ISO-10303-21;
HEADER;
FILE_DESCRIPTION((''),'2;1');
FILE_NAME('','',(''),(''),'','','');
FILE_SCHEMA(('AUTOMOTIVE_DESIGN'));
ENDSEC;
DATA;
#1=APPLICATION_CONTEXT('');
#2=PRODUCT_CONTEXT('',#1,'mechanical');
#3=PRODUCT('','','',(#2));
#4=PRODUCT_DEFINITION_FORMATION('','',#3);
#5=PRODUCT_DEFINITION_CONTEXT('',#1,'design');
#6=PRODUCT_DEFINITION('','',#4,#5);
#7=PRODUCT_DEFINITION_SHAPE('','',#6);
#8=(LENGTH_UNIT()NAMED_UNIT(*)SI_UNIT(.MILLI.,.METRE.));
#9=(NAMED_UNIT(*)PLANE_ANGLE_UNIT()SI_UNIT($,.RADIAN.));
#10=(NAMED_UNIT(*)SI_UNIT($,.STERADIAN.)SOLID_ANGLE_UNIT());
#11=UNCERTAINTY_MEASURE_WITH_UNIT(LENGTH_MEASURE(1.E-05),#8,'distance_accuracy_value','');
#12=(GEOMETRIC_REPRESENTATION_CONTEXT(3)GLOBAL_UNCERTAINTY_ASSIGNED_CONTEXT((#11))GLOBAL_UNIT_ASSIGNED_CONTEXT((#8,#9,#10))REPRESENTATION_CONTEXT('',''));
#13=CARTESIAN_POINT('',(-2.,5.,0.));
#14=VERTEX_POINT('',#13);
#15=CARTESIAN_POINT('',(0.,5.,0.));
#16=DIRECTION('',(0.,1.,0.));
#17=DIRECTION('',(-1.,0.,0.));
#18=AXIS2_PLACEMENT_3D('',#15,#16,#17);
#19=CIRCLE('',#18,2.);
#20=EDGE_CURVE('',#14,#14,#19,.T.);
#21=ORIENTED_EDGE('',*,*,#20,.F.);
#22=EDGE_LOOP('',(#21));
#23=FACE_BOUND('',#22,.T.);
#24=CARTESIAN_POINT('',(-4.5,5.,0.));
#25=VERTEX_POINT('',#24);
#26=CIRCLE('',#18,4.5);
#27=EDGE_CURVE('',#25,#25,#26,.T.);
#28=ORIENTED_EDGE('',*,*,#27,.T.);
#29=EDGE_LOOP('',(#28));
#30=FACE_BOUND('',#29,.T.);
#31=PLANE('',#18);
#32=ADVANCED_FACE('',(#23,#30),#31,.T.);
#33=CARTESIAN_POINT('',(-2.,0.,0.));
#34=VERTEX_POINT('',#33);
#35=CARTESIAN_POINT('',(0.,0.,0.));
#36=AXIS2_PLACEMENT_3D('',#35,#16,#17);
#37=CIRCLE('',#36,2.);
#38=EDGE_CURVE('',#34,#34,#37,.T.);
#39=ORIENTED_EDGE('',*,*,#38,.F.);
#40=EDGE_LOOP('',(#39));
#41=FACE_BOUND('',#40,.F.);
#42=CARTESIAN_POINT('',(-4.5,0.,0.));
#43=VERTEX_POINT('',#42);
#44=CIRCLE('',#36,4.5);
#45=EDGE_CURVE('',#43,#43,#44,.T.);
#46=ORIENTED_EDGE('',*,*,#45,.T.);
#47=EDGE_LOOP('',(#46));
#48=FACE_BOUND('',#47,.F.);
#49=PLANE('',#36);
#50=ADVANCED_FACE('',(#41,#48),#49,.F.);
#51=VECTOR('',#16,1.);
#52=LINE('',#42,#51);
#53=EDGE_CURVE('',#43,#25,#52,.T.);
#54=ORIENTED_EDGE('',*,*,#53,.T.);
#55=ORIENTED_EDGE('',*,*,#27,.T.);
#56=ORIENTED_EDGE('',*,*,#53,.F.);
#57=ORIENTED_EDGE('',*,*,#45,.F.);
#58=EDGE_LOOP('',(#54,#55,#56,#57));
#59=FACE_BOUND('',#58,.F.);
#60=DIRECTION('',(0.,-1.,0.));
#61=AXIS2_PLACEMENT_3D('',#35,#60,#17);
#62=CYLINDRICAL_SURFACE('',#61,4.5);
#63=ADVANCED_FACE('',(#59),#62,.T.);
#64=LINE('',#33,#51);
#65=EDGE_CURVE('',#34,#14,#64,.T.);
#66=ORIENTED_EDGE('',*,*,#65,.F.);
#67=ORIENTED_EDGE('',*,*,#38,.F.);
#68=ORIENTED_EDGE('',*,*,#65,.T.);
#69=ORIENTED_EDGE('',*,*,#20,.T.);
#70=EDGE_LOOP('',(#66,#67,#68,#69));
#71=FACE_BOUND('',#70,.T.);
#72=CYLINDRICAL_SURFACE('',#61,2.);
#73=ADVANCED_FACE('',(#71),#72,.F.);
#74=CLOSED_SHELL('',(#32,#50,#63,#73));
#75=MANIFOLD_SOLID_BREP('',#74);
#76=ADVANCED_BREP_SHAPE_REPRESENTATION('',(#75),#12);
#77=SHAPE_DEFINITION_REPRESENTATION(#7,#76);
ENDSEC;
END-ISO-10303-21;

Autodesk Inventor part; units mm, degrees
ref_plane "YZ Plane" through (0, 0, 0) normal (1, 0, 0) x (0, 1, 0)
ref_plane "XZ Plane" through (0, 0, 0) normal (0, 1, 0) x (-1, 0, 0)
ref_plane "XY Plane" through (0, 0, 0) normal (0, 0, 1) x (1, 0, 0)
sketch "Sketch1" plane through (0, 0, 0) normal (0, 1, 0) x (-1, 0, 0)
  circle A0 centre (0, 0) radius 2
  circle A1 centre (0, 0) radius 4.5
  dimension "d0" = 4
  dimension "d1" = 9
extrude "Extrusion1" add sketch "Sketch1" along normal blind 5
properties part number "bearing_4_9_5"
